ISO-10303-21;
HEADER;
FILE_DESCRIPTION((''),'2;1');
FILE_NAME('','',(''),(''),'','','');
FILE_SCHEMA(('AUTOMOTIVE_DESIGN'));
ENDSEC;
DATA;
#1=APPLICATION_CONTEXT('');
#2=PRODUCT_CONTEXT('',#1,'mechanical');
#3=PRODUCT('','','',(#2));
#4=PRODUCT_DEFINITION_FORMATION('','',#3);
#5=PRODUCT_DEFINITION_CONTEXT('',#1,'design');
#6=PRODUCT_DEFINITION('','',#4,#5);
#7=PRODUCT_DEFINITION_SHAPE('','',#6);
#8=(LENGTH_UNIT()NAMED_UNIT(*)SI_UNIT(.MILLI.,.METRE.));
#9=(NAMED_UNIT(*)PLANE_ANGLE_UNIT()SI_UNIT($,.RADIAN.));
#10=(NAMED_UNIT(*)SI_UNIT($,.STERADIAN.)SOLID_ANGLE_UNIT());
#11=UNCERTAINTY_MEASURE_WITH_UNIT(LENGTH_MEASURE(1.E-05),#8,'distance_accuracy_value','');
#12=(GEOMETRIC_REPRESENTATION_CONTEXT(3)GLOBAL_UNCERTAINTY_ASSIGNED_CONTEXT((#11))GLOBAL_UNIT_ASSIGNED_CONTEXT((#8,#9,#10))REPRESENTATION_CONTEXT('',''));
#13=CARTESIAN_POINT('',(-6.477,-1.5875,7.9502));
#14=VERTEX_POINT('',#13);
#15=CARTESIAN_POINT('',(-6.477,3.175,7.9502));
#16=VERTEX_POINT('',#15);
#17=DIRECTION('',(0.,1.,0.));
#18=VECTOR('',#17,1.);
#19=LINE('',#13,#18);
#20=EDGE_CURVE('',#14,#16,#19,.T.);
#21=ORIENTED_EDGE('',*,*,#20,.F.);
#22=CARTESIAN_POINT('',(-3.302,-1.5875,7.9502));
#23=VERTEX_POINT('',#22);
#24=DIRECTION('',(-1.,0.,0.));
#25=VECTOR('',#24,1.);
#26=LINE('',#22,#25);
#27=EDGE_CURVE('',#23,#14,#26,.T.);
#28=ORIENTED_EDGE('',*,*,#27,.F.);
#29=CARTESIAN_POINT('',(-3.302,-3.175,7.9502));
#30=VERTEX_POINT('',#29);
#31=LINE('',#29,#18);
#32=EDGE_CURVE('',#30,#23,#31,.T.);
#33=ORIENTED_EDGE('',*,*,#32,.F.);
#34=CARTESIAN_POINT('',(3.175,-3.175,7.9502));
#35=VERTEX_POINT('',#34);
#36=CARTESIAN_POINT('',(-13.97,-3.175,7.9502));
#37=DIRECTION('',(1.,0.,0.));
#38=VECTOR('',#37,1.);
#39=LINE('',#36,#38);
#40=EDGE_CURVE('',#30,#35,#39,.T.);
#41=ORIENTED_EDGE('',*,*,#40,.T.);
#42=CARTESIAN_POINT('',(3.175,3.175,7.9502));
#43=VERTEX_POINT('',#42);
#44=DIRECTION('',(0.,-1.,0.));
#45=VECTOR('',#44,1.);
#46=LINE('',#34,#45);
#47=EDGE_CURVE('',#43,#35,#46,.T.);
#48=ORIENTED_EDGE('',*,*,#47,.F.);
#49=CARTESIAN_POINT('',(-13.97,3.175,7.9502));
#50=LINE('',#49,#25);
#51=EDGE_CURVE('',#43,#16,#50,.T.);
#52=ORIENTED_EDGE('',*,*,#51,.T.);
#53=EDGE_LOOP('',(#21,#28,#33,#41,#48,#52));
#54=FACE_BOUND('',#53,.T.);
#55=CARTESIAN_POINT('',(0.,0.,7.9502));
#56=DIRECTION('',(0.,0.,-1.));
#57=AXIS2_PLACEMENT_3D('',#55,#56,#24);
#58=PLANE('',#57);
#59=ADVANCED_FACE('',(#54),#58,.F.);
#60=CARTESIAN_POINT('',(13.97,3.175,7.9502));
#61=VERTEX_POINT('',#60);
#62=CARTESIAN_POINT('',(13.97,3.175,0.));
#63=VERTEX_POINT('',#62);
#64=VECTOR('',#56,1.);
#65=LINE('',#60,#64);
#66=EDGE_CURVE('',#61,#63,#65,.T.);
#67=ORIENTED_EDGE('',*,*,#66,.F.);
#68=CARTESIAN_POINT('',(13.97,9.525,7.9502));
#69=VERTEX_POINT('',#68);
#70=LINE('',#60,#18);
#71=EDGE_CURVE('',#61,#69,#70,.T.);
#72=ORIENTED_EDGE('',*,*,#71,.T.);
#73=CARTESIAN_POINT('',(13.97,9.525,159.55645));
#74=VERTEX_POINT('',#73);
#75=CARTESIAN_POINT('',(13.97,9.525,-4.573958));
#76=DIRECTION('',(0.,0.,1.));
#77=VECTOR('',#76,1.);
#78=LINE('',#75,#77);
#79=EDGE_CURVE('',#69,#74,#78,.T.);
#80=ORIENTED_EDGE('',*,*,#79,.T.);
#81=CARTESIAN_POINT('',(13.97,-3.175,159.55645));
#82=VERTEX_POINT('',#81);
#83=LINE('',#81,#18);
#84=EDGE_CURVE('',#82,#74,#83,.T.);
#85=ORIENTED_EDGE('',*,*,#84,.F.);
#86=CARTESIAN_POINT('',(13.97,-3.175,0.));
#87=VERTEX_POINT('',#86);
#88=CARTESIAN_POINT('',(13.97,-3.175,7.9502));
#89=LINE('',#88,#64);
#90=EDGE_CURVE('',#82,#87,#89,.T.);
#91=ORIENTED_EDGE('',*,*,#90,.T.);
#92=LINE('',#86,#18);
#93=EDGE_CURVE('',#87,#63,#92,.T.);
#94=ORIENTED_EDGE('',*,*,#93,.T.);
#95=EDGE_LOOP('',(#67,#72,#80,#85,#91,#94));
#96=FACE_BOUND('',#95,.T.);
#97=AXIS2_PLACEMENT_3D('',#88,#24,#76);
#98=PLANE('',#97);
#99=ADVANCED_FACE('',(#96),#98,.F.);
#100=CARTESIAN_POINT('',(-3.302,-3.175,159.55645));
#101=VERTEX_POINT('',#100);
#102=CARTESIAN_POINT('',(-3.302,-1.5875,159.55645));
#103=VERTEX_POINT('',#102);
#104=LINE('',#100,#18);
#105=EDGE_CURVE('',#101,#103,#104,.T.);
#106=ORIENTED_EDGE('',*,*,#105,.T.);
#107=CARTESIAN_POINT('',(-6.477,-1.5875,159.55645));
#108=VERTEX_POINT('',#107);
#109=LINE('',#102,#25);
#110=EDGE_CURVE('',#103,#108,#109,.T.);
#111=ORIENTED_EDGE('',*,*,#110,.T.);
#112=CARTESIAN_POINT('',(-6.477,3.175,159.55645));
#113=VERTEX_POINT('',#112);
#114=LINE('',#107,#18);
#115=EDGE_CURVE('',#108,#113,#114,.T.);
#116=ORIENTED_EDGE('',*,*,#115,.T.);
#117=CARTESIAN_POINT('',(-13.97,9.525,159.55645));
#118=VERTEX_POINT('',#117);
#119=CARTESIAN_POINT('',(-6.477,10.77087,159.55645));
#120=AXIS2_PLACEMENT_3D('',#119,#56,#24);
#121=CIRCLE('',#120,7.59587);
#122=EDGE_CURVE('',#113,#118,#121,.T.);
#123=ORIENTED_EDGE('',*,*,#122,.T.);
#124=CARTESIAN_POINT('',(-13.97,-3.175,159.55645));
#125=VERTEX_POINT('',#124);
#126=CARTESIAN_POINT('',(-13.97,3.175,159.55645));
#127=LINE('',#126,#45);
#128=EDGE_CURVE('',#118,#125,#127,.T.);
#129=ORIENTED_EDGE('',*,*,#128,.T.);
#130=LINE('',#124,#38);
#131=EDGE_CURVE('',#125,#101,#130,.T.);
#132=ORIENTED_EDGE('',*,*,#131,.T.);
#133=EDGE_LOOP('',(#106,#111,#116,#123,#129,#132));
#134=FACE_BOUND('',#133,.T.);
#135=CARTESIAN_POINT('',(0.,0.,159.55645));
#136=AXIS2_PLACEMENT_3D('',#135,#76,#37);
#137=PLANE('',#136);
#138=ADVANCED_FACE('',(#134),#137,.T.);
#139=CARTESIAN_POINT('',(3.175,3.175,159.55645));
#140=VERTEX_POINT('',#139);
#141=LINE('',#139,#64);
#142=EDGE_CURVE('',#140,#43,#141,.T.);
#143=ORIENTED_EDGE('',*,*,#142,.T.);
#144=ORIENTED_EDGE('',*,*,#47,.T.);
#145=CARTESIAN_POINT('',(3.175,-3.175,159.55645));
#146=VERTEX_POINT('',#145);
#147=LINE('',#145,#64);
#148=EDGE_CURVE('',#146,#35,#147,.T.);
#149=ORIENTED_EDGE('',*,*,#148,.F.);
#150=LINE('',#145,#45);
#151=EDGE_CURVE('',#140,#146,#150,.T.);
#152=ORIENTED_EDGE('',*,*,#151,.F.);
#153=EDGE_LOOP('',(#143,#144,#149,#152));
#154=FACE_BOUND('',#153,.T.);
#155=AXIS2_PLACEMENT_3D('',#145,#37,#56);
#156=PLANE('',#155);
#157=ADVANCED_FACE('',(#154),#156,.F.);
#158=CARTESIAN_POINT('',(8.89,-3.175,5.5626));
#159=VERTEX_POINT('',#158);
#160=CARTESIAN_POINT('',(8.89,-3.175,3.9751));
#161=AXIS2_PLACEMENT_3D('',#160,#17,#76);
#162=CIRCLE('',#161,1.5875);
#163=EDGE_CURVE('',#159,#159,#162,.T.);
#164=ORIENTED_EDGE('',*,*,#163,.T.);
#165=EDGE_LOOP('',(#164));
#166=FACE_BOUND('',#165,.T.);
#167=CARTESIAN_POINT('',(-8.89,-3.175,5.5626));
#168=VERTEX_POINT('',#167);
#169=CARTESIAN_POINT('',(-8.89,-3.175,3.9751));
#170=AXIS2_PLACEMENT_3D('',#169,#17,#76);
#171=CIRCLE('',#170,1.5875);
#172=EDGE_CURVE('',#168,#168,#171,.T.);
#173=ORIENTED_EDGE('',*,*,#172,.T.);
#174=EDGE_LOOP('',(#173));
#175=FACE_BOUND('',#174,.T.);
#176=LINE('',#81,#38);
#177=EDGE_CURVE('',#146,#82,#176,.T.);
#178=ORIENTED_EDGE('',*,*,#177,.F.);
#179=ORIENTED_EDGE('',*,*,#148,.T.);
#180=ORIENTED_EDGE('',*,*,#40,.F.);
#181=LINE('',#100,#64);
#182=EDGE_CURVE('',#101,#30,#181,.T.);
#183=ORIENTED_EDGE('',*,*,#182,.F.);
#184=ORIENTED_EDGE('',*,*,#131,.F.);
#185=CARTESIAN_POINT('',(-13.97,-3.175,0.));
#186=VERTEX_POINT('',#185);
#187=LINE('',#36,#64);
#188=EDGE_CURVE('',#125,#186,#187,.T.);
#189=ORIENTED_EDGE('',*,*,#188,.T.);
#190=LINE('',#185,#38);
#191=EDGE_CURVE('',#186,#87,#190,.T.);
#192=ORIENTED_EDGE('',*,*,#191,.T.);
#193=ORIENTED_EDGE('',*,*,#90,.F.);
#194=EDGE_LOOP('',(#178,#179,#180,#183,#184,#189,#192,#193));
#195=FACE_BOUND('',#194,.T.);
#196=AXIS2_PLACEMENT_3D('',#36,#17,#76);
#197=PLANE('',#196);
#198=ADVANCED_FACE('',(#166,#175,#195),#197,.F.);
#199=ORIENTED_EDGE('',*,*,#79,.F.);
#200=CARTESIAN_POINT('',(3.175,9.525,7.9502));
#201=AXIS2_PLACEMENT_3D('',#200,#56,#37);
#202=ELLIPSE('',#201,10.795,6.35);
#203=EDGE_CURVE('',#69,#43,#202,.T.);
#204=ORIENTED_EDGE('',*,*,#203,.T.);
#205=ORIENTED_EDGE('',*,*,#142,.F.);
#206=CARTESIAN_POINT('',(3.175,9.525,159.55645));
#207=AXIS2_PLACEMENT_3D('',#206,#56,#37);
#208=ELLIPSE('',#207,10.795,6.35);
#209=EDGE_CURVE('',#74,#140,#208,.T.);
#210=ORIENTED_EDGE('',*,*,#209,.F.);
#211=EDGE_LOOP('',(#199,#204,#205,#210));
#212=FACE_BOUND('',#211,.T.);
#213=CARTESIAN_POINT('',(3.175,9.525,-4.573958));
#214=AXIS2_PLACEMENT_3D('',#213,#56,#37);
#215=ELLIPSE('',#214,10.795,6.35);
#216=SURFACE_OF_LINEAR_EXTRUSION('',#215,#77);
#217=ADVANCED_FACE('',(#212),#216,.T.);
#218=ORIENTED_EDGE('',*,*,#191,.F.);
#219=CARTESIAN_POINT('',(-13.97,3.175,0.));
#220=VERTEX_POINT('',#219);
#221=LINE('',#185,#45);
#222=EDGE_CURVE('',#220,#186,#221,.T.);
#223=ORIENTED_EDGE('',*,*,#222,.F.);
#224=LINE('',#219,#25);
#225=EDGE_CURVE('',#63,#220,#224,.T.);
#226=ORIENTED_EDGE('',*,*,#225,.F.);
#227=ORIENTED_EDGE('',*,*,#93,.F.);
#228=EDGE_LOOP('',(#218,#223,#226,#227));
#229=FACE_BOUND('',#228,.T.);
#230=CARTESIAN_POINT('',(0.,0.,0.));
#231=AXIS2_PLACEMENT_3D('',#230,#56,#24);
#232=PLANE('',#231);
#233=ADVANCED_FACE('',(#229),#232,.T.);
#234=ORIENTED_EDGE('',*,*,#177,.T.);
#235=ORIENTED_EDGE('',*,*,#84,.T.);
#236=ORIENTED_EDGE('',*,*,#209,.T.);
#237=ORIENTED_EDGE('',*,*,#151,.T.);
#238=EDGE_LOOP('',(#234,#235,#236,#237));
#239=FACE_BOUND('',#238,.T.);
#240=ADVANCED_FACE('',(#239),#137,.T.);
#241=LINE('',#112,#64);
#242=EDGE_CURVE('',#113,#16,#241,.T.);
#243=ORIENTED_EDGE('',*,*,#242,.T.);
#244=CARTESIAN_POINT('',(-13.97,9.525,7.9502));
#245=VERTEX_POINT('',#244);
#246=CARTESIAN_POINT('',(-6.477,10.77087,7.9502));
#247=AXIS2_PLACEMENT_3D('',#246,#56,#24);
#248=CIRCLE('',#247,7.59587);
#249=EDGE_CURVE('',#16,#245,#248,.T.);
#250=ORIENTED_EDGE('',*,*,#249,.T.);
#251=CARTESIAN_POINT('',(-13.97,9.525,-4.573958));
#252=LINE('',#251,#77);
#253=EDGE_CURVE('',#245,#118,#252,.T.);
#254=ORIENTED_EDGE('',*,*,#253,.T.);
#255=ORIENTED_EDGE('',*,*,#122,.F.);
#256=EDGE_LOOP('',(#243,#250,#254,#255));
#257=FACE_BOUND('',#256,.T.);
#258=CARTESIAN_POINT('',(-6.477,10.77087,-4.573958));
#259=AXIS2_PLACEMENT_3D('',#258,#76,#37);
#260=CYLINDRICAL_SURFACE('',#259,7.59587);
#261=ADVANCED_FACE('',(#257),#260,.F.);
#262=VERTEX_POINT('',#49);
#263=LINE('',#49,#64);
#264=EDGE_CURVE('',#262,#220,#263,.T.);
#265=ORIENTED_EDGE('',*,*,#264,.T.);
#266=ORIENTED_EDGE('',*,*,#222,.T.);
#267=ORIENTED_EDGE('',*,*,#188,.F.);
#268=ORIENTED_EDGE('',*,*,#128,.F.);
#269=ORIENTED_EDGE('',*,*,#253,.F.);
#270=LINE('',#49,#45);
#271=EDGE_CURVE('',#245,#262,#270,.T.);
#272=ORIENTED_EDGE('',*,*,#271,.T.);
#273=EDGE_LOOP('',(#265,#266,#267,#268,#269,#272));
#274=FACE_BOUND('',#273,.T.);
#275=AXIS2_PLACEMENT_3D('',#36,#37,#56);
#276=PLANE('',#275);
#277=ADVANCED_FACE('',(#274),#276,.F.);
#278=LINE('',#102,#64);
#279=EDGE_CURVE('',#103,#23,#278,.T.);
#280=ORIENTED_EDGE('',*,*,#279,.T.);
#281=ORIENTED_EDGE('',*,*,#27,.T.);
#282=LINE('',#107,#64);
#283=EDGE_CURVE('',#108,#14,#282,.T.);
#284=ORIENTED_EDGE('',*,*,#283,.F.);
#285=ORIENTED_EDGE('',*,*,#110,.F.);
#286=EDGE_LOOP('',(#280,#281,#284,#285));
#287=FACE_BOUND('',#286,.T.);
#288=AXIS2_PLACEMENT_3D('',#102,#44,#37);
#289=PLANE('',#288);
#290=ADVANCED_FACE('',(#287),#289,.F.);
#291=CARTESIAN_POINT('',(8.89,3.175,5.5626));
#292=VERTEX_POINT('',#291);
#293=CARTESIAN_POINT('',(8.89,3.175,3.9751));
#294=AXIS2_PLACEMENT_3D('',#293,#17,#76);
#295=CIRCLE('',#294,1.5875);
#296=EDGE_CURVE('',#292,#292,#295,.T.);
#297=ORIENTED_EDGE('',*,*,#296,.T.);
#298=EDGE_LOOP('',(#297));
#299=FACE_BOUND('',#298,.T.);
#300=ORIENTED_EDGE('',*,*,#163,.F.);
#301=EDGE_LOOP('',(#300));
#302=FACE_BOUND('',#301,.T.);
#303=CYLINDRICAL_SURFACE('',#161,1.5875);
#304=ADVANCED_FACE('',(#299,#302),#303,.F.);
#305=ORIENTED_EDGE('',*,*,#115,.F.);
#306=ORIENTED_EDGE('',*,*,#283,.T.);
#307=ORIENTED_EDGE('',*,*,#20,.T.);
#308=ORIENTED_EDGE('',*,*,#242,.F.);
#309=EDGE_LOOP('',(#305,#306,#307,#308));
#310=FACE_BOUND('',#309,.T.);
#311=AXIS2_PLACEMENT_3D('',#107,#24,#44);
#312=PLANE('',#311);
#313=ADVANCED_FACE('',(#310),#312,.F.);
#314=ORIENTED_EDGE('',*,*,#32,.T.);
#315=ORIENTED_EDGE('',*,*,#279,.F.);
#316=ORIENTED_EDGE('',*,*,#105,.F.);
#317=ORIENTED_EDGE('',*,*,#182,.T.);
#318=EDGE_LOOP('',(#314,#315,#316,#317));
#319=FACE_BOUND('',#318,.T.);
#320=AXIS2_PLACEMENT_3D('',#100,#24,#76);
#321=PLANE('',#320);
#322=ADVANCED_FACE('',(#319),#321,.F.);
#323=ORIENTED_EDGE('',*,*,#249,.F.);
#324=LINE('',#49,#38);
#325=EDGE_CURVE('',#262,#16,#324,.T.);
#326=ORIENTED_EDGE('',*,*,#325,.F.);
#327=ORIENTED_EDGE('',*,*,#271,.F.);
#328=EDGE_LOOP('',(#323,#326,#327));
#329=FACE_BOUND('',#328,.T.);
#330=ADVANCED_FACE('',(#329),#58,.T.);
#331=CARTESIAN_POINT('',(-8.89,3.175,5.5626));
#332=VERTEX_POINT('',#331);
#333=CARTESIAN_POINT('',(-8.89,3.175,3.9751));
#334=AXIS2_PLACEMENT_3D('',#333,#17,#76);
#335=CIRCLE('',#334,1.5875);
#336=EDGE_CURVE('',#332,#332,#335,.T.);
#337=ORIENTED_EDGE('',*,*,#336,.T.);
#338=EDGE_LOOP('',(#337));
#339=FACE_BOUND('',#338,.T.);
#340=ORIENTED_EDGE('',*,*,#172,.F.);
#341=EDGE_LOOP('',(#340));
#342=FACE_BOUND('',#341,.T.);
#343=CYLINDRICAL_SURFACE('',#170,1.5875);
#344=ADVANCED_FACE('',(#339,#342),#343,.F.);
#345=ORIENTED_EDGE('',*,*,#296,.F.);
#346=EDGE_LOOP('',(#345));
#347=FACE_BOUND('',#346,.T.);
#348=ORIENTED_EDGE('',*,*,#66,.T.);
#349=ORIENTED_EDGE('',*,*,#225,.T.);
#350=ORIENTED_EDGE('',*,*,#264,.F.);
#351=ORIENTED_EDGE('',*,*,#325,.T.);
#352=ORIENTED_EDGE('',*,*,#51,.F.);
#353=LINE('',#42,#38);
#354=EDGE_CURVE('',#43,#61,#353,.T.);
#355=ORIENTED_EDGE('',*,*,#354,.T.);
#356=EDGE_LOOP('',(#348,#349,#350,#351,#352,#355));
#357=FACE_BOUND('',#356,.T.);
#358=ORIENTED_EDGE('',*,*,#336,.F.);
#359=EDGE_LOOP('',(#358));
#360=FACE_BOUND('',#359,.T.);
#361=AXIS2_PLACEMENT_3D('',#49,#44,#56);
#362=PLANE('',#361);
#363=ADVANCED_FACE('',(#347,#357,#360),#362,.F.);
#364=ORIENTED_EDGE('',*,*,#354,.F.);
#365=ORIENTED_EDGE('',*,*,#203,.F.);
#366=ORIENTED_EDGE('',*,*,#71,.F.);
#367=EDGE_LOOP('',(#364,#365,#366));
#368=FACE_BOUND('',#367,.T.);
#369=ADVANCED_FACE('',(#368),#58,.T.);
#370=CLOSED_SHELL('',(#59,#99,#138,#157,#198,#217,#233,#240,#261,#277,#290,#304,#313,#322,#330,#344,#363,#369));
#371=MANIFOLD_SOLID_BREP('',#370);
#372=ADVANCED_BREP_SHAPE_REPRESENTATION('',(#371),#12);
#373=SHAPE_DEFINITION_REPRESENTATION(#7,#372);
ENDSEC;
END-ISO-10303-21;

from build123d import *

# Parameters (mm, degrees)
SKETCH1_W           = 27.94
SKETCH1_H           = 6.35
BOSS_EXTRUDE1_DEPTH = 7.9502
SKETCH2_W           = 10.795
SKETCH2_H           = 6.35
BOSS_EXTRUDE2_DEPTH = 151.60625
SKETCH4_R           = 1.5875
CUT_EXTRUDE1_DEPTH  = 161.292682729
BOSS_EXTRUDE3_DEPTH = 151.60625


with BuildPart() as part:
    # Sketch1 → Boss-Extrude1 (new body)
    with BuildSketch(Plane.XY):
        Rectangle(SKETCH1_W, SKETCH1_H)
    extrude(amount=BOSS_EXTRUDE1_DEPTH)

    # Sketch2 → Boss-Extrude2 (add)
    with BuildSketch(Plane.XY.offset(7.9502)):
        Polygon((-3.302, -3.175), (-3.302, -1.5875), (-6.477, -1.5875), (-6.477, 3.175), (-13.97, 3.175), (-13.97, -3.175), align=None)
        with Locations((8.5725, 0)):
            Rectangle(SKETCH2_W, SKETCH2_H)
    extrude(amount=BOSS_EXTRUDE2_DEPTH)

    # Sketch4 → Cut-Extrude1 (cut, through all)
    with BuildSketch(Plane(origin=(0, 3.175, 0), x_dir=(1, 0, 0), z_dir=(0, 1, 0))):
        with Locations(Location((-8.89, -3.9751, 0), (0, 0, 270))):
            Circle(SKETCH4_R)
        with Locations(Location((8.89, -3.9751, 0), (0, 0, 270))):
            Circle(SKETCH4_R)
    extrude(amount=-CUT_EXTRUDE1_DEPTH, mode=Mode.SUBTRACT)

    # Sketch5 → Boss-Extrude3 (add)
    with BuildSketch(Plane.XY.offset(159.55645)):
        with BuildLine():
            Line((-13.97, 3.175), (-13.97, 9.525))
            ThreePointArc((-13.97, 9.525), (-11.38789475, 4.976014194), (-6.477, 3.175))
            Line((-6.477, 3.175), (-13.97, 3.175))
        make_face()
        with BuildLine():
            Line((3.175, 3.175), (13.97, 3.175))
            Line((13.97, 3.175), (13.97, 9.525))
            add(Edge.make_bspline(
                [(3.175, 3.175), (13.97, 3.175), (13.97, 9.525)],
                knots=[4.71238898, 4.71238898, 4.71238898, 6.283185307, 6.283185307, 6.283185307], degree=2, weights=[1, 0.707106781, 1]))
        make_face()
    extrude(amount=-BOSS_EXTRUDE3_DEPTH)


solid = part.part
